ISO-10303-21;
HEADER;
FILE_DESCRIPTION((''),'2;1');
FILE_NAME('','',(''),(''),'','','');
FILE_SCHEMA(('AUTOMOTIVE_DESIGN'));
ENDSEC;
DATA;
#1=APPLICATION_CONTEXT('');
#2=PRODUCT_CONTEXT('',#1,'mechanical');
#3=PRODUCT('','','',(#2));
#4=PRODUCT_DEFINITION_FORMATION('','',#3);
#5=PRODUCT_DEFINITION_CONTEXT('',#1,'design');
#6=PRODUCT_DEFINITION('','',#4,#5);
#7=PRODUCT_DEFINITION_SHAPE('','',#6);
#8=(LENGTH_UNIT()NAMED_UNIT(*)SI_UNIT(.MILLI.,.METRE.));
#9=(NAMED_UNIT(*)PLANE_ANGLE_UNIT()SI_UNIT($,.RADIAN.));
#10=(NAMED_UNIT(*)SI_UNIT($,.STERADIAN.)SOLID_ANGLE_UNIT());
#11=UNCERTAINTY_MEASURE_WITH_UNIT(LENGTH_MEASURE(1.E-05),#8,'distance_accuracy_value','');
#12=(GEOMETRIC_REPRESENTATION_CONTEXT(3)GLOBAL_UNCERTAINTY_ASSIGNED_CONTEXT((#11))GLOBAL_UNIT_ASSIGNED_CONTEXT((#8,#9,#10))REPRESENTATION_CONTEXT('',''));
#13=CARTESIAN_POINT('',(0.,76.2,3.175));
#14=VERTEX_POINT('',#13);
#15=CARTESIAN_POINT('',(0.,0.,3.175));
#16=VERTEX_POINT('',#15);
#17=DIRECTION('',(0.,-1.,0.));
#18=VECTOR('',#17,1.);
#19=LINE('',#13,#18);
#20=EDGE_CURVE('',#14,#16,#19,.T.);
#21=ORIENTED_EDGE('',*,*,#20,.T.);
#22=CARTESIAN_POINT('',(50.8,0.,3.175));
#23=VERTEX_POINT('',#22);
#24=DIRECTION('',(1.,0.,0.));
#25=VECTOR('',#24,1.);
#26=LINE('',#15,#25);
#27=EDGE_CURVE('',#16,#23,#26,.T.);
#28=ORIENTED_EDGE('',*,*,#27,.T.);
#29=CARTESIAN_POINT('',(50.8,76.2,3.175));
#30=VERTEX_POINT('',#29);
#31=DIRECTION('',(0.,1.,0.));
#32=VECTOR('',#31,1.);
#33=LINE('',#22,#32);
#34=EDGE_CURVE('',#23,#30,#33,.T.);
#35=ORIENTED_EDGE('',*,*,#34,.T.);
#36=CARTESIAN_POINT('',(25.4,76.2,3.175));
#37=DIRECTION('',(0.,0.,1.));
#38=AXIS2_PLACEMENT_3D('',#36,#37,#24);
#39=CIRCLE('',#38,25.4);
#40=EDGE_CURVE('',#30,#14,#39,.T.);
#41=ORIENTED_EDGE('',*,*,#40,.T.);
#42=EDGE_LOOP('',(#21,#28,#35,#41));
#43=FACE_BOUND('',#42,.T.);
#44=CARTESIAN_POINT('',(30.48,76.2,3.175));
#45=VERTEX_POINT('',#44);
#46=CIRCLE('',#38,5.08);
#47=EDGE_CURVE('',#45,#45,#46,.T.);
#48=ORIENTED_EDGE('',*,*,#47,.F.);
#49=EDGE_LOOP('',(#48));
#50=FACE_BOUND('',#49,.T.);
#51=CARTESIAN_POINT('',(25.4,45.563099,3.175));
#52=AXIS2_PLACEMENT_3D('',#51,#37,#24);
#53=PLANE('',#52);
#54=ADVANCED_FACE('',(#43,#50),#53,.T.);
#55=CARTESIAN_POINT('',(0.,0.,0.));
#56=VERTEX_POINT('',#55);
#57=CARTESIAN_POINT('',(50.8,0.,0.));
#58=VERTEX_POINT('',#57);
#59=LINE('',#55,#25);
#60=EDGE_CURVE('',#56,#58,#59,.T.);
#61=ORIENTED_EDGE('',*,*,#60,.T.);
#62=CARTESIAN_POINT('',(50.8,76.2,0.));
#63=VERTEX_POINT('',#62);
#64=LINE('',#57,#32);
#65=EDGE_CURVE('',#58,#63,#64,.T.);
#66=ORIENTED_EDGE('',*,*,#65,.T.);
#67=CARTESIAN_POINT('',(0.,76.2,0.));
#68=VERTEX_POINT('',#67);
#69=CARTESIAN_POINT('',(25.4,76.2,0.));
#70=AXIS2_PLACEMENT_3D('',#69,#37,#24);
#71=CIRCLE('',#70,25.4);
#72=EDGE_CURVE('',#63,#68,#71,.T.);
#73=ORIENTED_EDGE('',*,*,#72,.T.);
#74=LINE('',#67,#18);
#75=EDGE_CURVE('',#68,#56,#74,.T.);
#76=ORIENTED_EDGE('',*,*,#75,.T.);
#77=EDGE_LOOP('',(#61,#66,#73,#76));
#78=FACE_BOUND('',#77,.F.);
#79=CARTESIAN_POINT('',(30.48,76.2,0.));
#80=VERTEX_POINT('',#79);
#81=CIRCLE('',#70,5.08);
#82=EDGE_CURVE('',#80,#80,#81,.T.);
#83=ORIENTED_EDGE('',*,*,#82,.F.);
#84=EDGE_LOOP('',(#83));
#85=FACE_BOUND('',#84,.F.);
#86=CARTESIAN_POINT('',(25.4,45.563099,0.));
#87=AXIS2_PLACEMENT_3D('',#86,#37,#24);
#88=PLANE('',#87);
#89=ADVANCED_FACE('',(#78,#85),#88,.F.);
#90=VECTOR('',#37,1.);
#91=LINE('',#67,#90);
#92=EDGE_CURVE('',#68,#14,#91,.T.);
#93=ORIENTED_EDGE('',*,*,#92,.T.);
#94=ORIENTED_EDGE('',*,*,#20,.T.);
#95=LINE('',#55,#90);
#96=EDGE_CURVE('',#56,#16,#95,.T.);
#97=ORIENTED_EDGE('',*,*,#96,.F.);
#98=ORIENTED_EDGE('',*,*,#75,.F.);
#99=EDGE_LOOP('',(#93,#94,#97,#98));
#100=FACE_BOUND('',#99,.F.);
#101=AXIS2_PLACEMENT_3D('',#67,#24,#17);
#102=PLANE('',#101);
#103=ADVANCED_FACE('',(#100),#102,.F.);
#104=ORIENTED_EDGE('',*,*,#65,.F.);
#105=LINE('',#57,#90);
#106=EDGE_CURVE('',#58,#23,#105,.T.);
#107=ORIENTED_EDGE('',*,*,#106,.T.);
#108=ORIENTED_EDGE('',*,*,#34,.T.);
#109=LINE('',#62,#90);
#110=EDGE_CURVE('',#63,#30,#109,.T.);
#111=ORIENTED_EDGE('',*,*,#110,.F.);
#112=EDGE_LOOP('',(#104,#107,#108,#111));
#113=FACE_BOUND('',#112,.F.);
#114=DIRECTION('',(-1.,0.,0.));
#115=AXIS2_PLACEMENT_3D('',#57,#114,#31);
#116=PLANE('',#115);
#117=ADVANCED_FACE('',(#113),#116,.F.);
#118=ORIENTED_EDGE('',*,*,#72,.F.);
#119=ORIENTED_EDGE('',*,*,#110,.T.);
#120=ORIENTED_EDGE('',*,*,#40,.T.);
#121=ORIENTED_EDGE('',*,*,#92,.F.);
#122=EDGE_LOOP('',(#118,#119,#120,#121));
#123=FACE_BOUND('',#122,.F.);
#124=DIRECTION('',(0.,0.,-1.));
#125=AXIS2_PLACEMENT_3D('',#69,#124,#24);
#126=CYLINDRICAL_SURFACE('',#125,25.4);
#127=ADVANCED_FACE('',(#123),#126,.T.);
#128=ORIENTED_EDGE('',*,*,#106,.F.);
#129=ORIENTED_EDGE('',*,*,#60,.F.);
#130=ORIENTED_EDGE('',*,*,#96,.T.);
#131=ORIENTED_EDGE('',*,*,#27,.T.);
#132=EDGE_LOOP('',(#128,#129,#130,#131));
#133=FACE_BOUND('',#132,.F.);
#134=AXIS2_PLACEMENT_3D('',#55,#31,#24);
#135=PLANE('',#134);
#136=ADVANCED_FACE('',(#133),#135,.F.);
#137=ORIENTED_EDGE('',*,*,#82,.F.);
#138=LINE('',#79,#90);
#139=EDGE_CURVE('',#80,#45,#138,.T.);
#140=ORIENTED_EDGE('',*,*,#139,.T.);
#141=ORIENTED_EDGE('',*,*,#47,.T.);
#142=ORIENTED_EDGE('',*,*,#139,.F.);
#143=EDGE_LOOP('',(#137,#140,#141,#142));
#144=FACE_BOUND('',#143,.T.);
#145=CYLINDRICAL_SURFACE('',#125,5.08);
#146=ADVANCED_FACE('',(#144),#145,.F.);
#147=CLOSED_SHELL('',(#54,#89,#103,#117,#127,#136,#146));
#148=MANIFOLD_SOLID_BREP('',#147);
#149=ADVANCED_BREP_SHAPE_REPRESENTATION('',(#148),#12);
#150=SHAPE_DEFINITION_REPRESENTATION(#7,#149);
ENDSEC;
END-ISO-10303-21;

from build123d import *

# Parameters (mm, degrees)
F0_R     = 5.08
F1_DEPTH = 3.175


with BuildPart() as f1:
    # F0 (on Top) → F1 (new body)
    with BuildSketch(Plane.XY):
        with BuildLine():
            Line((0, 76.2), (0, 0))
            Line((0, 0), (50.8, 0))
            Line((50.8, 0), (50.8, 76.2))
            ThreePointArc((50.8, 76.2), (25.4, 101.6), (0, 76.2))
        make_face()
        with Locations((25.4, 76.2)):
            Circle(F0_R, mode=Mode.SUBTRACT)
    extrude(amount=F1_DEPTH)


solid = f1.part
